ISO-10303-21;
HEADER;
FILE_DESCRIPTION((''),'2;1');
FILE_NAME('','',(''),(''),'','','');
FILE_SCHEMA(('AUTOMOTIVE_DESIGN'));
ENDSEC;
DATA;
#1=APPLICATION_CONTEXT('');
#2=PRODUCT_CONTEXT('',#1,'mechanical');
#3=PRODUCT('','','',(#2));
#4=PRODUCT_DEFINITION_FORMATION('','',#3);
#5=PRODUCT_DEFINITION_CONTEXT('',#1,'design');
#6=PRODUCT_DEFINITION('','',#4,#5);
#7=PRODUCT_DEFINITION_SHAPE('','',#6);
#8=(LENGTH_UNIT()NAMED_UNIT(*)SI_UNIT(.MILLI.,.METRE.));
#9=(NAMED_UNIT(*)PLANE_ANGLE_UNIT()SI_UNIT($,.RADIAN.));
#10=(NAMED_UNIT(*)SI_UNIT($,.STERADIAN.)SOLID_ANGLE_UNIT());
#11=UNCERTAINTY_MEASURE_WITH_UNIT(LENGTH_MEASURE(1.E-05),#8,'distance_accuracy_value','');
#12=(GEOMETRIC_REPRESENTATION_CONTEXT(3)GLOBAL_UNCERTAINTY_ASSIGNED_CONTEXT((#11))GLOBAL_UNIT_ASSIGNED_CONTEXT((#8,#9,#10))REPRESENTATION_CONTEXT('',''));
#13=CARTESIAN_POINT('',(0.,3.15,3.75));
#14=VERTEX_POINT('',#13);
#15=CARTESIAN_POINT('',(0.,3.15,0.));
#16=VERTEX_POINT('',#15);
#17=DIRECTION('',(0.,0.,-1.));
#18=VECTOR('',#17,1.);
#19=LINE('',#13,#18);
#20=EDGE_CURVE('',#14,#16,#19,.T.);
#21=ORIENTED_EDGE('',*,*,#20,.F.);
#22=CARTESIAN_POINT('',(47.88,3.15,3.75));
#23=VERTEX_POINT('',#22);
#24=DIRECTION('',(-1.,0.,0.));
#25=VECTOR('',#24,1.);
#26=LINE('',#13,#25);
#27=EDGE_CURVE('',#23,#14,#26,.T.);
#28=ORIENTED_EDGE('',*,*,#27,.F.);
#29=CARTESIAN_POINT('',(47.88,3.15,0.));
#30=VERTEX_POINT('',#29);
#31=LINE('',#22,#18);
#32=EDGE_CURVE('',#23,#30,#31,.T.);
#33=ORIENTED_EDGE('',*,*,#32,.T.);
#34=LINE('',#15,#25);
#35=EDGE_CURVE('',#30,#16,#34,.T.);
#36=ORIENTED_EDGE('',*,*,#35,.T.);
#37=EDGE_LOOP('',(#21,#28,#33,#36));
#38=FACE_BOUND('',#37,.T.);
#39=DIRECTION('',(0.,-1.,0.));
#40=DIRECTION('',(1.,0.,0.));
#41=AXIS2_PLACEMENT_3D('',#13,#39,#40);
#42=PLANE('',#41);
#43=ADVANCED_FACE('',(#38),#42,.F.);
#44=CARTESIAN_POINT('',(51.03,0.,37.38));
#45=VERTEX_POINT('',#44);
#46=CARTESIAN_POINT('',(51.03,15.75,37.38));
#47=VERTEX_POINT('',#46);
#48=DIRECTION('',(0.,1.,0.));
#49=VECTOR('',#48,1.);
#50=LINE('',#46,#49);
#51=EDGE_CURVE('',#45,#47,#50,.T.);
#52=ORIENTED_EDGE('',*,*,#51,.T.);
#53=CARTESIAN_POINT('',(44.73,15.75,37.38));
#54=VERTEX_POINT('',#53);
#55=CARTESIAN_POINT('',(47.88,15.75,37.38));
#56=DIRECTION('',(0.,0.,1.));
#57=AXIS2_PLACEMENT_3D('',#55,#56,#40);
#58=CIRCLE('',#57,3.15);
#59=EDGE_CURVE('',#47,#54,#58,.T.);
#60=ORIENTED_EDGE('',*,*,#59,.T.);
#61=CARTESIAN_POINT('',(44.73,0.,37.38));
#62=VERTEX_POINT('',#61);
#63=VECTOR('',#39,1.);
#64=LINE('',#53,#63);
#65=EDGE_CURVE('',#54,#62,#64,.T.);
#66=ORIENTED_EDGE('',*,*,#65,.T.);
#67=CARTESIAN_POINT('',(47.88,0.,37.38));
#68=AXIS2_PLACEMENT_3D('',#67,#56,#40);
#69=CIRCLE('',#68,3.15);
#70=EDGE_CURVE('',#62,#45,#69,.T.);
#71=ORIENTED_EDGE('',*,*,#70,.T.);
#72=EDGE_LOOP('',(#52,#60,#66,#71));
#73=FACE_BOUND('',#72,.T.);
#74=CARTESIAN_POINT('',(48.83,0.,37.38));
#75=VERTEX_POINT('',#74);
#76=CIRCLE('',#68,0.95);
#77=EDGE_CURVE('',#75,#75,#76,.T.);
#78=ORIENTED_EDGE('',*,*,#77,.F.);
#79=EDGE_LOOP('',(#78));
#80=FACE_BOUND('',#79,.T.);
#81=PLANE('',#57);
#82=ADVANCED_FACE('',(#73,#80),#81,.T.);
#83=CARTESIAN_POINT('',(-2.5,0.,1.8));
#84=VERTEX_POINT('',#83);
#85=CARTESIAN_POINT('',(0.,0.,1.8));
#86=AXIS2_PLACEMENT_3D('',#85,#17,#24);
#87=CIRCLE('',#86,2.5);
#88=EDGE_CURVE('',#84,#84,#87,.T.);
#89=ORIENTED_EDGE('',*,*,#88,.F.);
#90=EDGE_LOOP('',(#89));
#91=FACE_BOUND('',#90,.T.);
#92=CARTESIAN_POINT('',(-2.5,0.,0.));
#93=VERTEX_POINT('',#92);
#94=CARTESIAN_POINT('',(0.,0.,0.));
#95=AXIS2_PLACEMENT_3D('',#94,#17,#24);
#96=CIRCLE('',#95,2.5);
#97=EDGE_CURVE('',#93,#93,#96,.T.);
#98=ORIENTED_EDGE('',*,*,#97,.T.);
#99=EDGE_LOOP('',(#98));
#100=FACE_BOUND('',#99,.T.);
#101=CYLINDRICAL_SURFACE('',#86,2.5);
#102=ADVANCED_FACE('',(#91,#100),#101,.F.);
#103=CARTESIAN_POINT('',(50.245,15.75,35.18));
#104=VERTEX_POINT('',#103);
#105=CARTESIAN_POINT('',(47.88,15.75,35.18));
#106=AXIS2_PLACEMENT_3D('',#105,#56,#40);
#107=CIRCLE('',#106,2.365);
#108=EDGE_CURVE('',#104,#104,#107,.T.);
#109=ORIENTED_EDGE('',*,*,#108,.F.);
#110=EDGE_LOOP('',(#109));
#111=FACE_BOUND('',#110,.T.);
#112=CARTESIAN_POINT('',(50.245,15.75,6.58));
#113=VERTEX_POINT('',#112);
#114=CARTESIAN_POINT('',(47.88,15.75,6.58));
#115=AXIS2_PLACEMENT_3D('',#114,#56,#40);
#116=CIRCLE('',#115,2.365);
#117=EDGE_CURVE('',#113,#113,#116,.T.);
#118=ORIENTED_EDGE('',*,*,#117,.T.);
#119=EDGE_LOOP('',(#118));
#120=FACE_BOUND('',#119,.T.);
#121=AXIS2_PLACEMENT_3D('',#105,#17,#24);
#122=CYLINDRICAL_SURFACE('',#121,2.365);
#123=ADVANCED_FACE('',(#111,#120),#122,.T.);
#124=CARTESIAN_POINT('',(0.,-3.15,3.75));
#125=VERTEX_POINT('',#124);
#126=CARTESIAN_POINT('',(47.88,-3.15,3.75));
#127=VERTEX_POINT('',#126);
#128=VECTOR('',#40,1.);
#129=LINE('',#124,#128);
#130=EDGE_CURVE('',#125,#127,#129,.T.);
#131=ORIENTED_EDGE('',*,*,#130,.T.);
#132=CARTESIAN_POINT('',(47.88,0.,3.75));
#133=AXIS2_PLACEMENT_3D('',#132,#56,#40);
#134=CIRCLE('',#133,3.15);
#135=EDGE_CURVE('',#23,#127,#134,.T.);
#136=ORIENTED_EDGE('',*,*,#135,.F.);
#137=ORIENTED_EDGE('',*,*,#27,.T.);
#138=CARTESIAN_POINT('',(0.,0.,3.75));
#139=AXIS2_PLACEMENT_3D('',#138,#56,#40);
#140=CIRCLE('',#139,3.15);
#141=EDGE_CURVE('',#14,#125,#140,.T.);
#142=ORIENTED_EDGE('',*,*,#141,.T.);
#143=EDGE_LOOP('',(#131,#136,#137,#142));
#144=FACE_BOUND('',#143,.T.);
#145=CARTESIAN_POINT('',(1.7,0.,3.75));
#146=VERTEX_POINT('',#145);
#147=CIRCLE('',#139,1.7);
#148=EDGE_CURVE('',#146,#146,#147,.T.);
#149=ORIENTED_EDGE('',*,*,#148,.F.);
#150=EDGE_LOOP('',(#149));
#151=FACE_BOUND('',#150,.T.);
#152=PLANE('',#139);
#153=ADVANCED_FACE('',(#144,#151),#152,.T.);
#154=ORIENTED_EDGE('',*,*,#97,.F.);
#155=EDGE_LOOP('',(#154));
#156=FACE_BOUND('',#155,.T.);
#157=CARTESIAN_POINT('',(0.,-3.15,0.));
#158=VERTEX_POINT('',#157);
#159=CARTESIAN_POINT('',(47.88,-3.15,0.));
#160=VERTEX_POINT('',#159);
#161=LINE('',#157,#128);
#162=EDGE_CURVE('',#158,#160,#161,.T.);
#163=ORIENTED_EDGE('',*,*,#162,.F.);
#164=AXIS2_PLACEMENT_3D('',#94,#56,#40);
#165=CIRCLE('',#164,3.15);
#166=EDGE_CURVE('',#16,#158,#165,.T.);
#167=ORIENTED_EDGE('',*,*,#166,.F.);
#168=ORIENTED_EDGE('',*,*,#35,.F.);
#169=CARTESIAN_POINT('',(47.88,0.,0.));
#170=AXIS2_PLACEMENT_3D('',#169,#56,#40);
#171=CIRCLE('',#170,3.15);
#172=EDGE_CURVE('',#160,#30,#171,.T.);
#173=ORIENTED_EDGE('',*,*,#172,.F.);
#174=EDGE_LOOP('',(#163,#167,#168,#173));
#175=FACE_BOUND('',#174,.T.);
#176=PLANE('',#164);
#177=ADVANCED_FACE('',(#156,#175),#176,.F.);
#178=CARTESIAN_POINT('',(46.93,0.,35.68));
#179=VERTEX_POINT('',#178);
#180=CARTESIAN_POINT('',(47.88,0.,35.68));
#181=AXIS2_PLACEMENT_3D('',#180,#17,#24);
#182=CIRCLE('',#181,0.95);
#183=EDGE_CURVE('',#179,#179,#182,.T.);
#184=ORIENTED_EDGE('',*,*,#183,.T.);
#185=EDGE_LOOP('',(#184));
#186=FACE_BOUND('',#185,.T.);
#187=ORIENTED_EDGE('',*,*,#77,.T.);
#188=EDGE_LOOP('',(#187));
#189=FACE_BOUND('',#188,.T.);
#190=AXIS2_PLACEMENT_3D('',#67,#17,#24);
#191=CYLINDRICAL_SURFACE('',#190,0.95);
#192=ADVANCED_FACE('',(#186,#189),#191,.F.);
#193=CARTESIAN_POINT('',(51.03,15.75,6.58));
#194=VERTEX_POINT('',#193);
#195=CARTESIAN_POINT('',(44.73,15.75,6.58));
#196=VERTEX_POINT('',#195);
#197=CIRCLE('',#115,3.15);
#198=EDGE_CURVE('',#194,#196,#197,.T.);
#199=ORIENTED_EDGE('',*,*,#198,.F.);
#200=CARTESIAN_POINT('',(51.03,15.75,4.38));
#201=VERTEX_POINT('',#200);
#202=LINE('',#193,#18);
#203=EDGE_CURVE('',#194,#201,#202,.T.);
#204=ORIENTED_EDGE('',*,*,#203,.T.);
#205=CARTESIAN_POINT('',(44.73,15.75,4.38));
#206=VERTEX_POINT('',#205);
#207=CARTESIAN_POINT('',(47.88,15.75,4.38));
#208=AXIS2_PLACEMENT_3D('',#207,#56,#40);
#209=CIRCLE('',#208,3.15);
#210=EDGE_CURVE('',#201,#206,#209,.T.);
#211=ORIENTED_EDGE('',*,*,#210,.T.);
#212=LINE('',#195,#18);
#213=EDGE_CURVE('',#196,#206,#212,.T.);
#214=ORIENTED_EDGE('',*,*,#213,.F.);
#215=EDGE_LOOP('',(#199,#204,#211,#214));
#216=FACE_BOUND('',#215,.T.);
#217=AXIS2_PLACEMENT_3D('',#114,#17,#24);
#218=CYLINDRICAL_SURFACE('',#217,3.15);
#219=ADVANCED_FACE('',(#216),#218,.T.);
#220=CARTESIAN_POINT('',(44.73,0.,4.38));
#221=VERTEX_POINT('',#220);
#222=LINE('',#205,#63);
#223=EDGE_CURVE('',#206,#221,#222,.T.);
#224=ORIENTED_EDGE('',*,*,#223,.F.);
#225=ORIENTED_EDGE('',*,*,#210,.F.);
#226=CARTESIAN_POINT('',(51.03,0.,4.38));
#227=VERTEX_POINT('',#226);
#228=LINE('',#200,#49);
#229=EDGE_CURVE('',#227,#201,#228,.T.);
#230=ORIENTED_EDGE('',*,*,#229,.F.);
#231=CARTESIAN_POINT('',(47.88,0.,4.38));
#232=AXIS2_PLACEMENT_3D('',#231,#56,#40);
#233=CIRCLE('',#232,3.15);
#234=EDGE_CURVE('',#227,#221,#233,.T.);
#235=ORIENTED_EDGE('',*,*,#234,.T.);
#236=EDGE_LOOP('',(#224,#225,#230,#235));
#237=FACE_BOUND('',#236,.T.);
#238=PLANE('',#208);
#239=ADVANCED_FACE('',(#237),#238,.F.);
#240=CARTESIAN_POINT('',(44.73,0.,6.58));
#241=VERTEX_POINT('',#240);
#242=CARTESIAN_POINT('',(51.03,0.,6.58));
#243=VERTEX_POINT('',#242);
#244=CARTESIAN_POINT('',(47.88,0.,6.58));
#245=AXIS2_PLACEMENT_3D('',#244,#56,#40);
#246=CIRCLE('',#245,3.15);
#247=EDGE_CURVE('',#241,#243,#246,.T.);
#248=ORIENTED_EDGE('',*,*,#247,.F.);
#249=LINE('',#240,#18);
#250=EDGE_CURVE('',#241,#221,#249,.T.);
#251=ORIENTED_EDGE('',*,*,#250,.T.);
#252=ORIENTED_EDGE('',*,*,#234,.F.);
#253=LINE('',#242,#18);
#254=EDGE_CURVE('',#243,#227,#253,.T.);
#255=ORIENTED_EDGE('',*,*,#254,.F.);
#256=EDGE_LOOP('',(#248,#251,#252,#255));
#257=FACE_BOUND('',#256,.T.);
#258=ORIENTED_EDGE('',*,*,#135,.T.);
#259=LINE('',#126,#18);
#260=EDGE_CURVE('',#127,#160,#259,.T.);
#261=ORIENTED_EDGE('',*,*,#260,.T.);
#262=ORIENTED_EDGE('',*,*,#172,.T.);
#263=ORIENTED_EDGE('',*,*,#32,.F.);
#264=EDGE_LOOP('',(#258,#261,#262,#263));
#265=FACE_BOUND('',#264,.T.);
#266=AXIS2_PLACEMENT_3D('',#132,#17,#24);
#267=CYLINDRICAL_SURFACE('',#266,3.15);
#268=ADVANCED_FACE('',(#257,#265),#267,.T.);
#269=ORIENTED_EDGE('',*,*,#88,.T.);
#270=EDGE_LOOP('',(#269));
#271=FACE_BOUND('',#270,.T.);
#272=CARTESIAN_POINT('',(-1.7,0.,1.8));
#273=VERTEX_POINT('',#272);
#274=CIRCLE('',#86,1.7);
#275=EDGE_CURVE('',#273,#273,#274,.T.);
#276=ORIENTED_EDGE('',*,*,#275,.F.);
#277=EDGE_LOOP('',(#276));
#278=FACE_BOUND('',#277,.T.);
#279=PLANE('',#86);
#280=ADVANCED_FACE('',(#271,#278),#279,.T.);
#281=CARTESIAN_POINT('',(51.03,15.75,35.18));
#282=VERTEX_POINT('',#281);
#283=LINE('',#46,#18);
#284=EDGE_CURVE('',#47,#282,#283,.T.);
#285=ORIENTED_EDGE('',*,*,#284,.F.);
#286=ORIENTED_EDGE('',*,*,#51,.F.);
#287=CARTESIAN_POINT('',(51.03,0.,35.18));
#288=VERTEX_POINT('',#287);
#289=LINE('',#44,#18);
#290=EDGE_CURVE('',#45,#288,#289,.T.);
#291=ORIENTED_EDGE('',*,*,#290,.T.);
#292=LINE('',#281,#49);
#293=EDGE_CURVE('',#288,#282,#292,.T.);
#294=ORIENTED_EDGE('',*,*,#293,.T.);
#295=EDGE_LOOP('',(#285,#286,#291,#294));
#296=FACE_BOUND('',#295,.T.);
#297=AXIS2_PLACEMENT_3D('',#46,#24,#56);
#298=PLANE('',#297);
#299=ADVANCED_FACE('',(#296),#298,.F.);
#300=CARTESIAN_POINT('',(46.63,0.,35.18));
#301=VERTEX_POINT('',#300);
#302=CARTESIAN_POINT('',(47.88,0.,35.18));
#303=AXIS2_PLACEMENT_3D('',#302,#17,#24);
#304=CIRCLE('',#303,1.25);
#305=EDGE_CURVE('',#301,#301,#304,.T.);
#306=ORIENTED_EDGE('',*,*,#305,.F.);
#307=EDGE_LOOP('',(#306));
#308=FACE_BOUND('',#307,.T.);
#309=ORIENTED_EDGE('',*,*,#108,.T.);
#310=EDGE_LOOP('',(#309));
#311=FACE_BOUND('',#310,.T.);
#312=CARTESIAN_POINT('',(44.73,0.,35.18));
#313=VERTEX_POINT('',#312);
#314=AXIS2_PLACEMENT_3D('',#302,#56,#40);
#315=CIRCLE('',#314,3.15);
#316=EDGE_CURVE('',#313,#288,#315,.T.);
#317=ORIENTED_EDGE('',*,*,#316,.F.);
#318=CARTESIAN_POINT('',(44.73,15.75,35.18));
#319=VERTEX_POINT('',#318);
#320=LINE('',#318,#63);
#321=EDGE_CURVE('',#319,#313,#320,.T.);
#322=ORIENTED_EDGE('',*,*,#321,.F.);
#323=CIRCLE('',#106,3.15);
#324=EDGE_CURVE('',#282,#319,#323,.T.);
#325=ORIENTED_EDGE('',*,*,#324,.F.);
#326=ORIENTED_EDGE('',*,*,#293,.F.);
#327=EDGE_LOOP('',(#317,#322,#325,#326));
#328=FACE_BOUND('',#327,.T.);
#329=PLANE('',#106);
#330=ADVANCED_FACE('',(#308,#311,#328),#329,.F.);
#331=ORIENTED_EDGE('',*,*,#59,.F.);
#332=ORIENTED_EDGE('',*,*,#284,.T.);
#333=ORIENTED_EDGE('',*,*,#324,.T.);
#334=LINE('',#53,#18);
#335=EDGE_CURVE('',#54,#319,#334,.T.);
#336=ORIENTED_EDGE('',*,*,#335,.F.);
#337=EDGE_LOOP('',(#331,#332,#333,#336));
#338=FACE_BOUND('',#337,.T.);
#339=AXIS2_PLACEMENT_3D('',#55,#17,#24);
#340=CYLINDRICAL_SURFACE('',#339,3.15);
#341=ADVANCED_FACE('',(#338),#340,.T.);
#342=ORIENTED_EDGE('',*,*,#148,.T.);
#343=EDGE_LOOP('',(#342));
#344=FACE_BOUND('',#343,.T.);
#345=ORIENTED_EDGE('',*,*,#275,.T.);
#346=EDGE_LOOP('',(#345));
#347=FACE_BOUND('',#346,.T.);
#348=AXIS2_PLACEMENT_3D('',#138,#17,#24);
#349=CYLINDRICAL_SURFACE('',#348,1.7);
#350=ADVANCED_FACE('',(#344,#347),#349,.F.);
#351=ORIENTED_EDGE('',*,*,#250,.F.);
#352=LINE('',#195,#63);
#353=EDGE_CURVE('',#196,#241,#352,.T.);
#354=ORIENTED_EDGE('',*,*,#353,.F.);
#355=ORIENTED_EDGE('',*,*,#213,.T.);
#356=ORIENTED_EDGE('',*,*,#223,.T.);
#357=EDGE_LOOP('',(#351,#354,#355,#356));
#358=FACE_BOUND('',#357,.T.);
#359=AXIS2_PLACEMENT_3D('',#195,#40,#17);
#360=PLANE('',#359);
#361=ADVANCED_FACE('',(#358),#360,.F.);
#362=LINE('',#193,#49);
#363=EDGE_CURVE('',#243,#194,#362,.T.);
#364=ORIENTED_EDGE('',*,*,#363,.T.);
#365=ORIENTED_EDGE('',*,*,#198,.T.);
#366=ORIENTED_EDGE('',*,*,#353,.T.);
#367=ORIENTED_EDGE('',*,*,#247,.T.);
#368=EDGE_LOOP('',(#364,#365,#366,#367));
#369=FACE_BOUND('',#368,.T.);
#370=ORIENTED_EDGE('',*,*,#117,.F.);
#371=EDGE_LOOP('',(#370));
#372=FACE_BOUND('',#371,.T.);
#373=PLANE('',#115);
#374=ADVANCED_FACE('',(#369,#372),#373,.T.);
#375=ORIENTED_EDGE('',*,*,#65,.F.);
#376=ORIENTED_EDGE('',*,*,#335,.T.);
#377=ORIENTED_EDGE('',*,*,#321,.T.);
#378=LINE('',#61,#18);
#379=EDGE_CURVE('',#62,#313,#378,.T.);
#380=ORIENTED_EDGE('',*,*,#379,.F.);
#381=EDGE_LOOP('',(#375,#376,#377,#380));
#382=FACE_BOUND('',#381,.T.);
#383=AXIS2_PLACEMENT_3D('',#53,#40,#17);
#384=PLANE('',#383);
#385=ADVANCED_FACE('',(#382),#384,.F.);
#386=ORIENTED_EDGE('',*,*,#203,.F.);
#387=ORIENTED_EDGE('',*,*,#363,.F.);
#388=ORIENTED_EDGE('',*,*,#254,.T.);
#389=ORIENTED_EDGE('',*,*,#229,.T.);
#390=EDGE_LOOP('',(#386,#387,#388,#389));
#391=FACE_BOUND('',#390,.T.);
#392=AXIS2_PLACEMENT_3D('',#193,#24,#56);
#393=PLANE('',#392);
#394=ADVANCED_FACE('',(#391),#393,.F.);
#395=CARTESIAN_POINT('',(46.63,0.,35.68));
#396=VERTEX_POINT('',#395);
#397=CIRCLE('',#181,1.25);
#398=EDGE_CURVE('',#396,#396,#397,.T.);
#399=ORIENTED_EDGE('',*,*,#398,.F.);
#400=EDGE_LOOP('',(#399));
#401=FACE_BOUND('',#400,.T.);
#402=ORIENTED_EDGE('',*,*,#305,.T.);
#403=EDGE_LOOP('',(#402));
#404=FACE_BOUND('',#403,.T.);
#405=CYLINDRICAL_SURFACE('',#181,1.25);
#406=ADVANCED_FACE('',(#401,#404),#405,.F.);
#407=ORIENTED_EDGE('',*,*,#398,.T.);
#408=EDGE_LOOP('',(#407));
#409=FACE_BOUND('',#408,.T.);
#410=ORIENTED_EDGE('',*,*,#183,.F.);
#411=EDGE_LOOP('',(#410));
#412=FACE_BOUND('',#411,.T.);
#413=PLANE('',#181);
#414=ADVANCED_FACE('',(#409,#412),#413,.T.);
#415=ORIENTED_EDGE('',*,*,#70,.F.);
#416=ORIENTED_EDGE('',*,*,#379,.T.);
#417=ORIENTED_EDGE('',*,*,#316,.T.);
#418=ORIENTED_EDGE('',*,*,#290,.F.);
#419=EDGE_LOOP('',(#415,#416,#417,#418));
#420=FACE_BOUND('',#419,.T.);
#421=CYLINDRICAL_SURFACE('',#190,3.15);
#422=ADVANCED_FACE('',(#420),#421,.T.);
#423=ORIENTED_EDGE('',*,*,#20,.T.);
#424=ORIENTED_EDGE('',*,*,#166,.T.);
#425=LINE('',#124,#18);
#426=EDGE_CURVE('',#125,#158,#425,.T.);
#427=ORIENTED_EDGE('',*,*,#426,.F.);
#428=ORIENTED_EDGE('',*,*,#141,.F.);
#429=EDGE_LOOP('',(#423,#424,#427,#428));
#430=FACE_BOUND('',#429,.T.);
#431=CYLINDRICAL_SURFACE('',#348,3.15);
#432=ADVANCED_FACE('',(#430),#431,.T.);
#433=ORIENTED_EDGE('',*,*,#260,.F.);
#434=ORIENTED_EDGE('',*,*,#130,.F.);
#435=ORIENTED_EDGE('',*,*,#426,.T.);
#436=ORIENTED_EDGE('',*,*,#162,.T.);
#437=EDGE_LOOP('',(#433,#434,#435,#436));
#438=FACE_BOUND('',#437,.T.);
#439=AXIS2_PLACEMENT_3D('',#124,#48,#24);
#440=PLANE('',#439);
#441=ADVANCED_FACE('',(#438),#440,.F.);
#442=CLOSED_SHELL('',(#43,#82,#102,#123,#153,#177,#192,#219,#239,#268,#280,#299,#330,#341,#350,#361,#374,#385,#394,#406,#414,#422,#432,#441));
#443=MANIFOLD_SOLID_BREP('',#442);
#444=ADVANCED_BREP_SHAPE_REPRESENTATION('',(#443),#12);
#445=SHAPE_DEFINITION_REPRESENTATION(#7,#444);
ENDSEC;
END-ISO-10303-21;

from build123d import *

# Parameters (mm, degrees)
CROQUIS1_R              = 1.7
SALIENTE_EXTRUIR1_DEPTH = 3.75
CROQUIS2_R              = 3.15
SALIENTE_EXTRUIR2_DEPTH = 0.63
SALIENTE_EXTRUIR3_DEPTH = 2.2
CROQUIS4_R              = 2.365
SALIENTE_EXTRUIR4_DEPTH = 28.6
CROQUIS5_R              = 0.95
SALIENTE_EXTRUIR5_DEPTH = 2.2
CROQUIS6_R              = 1.25
CORTAR_EXTRUIR1_DEPTH   = 0.5
CROQUIS7_R              = 2.5
CORTAR_EXTRUIR2_DEPTH   = 1.8


with BuildPart() as part:
    # Croquis1 → Saliente-Extruir1 (new body)
    with BuildSketch(Plane.XY):
        with BuildLine():
            Line((0, 3.15), (47.88, 3.15))
            ThreePointArc((47.88, 3.15), (51.03, 0), (47.88, -3.15))
            Line((47.88, -3.15), (0, -3.15))
            ThreePointArc((0, -3.15), (-3.15, 0), (0, 3.15))
        make_face()
        Circle(CROQUIS1_R, mode=Mode.SUBTRACT)
    extrude(amount=SALIENTE_EXTRUIR1_DEPTH)

    # Croquis2 → Saliente-Extruir2 (add)
    with BuildSketch(Plane.XY.offset(3.75)):
        with Locations(Location((47.88, 0, 0), (0, 0, 90))):
            Circle(CROQUIS2_R)
    extrude(amount=SALIENTE_EXTRUIR2_DEPTH)

    # Croquis3 → Saliente-Extruir3 (add)
    with BuildSketch(Plane.XY.offset(4.38)):
        with BuildLine():
            Line((44.73, 15.75), (44.73, 0))
            ThreePointArc((44.73, 0), (47.88, -3.15), (51.03, 0))
            Line((51.03, 0), (51.03, 15.75))
            ThreePointArc((51.03, 15.75), (47.88, 18.9), (44.73, 15.75))
        make_face()
    extrude(amount=SALIENTE_EXTRUIR3_DEPTH)

    # Croquis4 → Saliente-Extruir4 (add)
    with BuildSketch(Plane.XY.offset(6.58)):
        with Locations((47.88, 15.75)):
            Circle(CROQUIS4_R)
    extrude(amount=SALIENTE_EXTRUIR4_DEPTH)

    # Croquis5 → Saliente-Extruir5 (add)
    with BuildSketch(Plane.XY.offset(35.18)):
        with BuildLine():
            Line((44.73, 15.75), (44.73, 0))
            ThreePointArc((44.73, 0), (47.88, -3.15), (51.03, 0))
            Line((51.03, 0), (51.03, 15.75))
            ThreePointArc((51.03, 15.75), (47.88, 18.9), (44.73, 15.75))
        make_face()
        with Locations((47.88, 0)):
            Circle(CROQUIS5_R, mode=Mode.SUBTRACT)
    extrude(amount=SALIENTE_EXTRUIR5_DEPTH)

    # Croquis6 → Cortar-Extruir1 (cut)
    with BuildSketch(Plane(origin=(0, 0, 35.18), x_dir=(-1, 0, 0), z_dir=(0, 0, -1))):
        with Locations((-47.88, 0)):
            Circle(CROQUIS6_R)
    extrude(amount=-CORTAR_EXTRUIR1_DEPTH, mode=Mode.SUBTRACT)

    # Croquis7 → Cortar-Extruir2 (cut)
    with BuildSketch(Plane(origin=(0, 0, 0), x_dir=(-1, 0, 0), z_dir=(0, 0, -1))):
        Circle(CROQUIS7_R)
    extrude(amount=-CORTAR_EXTRUIR2_DEPTH, mode=Mode.SUBTRACT)


solid = part.part
